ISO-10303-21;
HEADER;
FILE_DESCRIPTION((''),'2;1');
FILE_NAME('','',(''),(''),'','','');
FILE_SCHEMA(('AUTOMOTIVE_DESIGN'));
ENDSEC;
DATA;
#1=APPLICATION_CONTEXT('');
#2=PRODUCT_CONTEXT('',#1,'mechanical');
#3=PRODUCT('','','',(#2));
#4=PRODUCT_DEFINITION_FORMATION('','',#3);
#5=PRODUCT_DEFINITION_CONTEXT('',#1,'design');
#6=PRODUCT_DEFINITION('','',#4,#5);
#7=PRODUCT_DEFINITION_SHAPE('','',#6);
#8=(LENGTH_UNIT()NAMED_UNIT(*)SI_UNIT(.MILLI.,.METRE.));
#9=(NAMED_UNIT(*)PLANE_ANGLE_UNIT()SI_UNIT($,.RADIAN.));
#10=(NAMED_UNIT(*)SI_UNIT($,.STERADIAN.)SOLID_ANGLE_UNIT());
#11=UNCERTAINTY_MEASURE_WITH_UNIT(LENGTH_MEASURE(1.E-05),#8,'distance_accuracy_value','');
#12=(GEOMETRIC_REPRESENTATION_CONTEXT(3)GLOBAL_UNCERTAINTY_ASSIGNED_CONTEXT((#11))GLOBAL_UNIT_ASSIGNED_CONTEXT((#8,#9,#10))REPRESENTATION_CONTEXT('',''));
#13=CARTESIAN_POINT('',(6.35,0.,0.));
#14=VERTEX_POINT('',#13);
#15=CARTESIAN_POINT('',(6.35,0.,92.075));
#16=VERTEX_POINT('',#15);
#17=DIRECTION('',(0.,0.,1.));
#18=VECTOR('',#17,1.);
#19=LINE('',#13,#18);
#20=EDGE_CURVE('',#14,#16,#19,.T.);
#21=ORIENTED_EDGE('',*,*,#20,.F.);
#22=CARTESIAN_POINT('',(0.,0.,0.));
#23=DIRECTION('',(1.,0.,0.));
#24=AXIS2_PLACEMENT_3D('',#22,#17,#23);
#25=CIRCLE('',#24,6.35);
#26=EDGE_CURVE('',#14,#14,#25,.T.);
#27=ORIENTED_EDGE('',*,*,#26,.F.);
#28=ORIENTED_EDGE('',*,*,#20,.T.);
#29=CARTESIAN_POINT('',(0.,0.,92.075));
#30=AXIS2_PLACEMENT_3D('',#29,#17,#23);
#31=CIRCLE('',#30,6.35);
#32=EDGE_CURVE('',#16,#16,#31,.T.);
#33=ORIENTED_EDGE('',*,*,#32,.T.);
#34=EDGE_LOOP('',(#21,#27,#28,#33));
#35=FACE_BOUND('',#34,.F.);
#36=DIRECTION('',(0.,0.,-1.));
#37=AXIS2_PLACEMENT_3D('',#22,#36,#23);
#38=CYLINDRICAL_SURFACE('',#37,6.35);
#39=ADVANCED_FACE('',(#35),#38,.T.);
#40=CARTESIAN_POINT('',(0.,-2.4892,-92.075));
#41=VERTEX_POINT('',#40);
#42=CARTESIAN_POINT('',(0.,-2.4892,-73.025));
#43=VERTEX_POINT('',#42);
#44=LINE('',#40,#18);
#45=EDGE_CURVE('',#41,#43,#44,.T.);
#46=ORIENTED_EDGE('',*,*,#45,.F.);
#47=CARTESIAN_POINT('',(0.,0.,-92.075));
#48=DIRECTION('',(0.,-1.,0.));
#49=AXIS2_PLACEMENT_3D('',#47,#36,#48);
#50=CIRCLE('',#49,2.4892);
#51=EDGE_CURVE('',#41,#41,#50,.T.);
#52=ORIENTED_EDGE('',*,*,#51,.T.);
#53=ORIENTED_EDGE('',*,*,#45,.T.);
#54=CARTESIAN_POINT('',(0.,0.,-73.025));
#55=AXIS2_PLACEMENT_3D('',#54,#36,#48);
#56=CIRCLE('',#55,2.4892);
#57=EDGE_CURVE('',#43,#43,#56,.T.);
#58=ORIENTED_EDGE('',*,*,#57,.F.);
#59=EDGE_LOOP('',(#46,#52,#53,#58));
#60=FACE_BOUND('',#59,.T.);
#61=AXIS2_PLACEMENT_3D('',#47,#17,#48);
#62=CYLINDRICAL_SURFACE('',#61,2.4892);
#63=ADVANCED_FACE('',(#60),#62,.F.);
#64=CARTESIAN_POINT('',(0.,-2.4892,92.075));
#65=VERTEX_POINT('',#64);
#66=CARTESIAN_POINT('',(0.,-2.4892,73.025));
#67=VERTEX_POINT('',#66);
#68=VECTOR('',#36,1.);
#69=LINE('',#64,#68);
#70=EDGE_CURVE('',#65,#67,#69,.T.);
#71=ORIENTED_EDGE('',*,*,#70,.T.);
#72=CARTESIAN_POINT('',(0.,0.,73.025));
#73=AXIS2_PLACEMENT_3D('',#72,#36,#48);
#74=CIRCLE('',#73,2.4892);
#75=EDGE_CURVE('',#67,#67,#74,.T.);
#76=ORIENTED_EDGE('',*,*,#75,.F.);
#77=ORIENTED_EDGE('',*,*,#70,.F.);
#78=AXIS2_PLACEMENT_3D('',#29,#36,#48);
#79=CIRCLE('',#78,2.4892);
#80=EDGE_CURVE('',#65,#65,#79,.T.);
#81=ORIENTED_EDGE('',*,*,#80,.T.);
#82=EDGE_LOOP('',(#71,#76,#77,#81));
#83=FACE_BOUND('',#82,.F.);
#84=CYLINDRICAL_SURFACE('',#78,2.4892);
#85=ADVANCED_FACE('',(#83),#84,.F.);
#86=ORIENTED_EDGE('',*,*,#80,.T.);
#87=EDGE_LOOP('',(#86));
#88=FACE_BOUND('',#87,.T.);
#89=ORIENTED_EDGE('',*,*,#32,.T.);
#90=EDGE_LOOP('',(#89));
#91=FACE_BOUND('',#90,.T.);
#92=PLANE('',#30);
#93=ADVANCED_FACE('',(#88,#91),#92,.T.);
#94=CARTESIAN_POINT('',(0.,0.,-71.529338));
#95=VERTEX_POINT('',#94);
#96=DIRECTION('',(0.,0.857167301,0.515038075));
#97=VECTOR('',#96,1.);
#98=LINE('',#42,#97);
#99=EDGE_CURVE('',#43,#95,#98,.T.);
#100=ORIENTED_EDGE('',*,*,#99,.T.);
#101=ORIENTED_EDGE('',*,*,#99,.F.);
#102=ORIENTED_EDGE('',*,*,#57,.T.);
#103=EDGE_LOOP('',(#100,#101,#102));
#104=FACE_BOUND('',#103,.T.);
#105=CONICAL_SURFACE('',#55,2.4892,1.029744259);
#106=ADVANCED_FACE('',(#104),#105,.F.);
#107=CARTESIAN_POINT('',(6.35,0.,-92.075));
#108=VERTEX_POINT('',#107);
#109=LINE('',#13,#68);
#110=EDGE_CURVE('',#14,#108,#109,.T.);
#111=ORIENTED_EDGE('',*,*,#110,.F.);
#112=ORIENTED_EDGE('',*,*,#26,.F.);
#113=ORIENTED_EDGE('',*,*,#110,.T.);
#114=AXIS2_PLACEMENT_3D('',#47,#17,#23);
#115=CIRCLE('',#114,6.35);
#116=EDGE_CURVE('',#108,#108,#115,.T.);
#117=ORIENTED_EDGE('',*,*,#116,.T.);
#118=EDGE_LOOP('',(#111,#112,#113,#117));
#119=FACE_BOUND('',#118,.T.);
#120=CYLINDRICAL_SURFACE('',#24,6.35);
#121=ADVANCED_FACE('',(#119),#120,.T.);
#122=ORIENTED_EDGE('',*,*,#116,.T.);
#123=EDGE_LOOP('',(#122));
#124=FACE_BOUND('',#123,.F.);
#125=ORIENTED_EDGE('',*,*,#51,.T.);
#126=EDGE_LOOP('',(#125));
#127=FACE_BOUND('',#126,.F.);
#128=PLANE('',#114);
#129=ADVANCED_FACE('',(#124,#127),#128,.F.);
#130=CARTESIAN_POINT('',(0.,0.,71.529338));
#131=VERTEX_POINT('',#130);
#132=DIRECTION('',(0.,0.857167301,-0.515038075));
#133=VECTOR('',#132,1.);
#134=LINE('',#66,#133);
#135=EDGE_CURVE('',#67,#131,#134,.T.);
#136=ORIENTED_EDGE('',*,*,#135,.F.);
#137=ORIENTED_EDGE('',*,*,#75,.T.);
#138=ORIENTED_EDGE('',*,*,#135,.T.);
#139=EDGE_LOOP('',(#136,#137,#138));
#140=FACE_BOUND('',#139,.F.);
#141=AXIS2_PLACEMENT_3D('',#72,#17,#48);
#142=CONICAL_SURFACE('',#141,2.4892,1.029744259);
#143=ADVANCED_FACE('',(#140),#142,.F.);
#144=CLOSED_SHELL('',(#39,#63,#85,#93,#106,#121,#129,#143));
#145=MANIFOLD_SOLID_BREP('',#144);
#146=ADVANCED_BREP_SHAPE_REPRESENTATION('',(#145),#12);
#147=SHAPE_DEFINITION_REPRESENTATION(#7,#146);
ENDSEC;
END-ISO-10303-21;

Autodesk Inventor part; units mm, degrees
ref_plane "YZ Plane" through (0, 0, 0) normal (1, 0, 0) x (0, 1, 0)
ref_plane "XZ Plane" through (0, 0, 0) normal (0, 1, 0) x (-1, 0, 0)
ref_plane "XY Plane" through (0, 0, 0) normal (0, 0, 1) x (1, 0, 0)
sketch "Sketch1" plane through (0, 0, 0) normal (0, 0, 1) x (1, 0, 0)
  circle A0 centre (0, 0) radius 6.35
  dimension "d0" = 12.7
extrude "Extrusion1" add sketch "Sketch1" along normal mid plane 184.15
sketch "Sketch2" plane through (0, 0, 92.075) normal (0, 0, 1) x (1, 0, 0)
  circle A0 centre (0, 0) radius 6.35 projected
hole "Hole1" at (0, 0, 92.075) direction (0, 0, -1) diameter 4.9784 depth 19.05 tip angle 118 thread size "1/4-20 UNC" class "2B" standard "ANSI Unified Screw Threads"
mirror "Mirror1" about plane through (0, 0, 0) normal (0, 0, 1) of "Hole1"
properties part number "wheel_shaft" material "Steel"
